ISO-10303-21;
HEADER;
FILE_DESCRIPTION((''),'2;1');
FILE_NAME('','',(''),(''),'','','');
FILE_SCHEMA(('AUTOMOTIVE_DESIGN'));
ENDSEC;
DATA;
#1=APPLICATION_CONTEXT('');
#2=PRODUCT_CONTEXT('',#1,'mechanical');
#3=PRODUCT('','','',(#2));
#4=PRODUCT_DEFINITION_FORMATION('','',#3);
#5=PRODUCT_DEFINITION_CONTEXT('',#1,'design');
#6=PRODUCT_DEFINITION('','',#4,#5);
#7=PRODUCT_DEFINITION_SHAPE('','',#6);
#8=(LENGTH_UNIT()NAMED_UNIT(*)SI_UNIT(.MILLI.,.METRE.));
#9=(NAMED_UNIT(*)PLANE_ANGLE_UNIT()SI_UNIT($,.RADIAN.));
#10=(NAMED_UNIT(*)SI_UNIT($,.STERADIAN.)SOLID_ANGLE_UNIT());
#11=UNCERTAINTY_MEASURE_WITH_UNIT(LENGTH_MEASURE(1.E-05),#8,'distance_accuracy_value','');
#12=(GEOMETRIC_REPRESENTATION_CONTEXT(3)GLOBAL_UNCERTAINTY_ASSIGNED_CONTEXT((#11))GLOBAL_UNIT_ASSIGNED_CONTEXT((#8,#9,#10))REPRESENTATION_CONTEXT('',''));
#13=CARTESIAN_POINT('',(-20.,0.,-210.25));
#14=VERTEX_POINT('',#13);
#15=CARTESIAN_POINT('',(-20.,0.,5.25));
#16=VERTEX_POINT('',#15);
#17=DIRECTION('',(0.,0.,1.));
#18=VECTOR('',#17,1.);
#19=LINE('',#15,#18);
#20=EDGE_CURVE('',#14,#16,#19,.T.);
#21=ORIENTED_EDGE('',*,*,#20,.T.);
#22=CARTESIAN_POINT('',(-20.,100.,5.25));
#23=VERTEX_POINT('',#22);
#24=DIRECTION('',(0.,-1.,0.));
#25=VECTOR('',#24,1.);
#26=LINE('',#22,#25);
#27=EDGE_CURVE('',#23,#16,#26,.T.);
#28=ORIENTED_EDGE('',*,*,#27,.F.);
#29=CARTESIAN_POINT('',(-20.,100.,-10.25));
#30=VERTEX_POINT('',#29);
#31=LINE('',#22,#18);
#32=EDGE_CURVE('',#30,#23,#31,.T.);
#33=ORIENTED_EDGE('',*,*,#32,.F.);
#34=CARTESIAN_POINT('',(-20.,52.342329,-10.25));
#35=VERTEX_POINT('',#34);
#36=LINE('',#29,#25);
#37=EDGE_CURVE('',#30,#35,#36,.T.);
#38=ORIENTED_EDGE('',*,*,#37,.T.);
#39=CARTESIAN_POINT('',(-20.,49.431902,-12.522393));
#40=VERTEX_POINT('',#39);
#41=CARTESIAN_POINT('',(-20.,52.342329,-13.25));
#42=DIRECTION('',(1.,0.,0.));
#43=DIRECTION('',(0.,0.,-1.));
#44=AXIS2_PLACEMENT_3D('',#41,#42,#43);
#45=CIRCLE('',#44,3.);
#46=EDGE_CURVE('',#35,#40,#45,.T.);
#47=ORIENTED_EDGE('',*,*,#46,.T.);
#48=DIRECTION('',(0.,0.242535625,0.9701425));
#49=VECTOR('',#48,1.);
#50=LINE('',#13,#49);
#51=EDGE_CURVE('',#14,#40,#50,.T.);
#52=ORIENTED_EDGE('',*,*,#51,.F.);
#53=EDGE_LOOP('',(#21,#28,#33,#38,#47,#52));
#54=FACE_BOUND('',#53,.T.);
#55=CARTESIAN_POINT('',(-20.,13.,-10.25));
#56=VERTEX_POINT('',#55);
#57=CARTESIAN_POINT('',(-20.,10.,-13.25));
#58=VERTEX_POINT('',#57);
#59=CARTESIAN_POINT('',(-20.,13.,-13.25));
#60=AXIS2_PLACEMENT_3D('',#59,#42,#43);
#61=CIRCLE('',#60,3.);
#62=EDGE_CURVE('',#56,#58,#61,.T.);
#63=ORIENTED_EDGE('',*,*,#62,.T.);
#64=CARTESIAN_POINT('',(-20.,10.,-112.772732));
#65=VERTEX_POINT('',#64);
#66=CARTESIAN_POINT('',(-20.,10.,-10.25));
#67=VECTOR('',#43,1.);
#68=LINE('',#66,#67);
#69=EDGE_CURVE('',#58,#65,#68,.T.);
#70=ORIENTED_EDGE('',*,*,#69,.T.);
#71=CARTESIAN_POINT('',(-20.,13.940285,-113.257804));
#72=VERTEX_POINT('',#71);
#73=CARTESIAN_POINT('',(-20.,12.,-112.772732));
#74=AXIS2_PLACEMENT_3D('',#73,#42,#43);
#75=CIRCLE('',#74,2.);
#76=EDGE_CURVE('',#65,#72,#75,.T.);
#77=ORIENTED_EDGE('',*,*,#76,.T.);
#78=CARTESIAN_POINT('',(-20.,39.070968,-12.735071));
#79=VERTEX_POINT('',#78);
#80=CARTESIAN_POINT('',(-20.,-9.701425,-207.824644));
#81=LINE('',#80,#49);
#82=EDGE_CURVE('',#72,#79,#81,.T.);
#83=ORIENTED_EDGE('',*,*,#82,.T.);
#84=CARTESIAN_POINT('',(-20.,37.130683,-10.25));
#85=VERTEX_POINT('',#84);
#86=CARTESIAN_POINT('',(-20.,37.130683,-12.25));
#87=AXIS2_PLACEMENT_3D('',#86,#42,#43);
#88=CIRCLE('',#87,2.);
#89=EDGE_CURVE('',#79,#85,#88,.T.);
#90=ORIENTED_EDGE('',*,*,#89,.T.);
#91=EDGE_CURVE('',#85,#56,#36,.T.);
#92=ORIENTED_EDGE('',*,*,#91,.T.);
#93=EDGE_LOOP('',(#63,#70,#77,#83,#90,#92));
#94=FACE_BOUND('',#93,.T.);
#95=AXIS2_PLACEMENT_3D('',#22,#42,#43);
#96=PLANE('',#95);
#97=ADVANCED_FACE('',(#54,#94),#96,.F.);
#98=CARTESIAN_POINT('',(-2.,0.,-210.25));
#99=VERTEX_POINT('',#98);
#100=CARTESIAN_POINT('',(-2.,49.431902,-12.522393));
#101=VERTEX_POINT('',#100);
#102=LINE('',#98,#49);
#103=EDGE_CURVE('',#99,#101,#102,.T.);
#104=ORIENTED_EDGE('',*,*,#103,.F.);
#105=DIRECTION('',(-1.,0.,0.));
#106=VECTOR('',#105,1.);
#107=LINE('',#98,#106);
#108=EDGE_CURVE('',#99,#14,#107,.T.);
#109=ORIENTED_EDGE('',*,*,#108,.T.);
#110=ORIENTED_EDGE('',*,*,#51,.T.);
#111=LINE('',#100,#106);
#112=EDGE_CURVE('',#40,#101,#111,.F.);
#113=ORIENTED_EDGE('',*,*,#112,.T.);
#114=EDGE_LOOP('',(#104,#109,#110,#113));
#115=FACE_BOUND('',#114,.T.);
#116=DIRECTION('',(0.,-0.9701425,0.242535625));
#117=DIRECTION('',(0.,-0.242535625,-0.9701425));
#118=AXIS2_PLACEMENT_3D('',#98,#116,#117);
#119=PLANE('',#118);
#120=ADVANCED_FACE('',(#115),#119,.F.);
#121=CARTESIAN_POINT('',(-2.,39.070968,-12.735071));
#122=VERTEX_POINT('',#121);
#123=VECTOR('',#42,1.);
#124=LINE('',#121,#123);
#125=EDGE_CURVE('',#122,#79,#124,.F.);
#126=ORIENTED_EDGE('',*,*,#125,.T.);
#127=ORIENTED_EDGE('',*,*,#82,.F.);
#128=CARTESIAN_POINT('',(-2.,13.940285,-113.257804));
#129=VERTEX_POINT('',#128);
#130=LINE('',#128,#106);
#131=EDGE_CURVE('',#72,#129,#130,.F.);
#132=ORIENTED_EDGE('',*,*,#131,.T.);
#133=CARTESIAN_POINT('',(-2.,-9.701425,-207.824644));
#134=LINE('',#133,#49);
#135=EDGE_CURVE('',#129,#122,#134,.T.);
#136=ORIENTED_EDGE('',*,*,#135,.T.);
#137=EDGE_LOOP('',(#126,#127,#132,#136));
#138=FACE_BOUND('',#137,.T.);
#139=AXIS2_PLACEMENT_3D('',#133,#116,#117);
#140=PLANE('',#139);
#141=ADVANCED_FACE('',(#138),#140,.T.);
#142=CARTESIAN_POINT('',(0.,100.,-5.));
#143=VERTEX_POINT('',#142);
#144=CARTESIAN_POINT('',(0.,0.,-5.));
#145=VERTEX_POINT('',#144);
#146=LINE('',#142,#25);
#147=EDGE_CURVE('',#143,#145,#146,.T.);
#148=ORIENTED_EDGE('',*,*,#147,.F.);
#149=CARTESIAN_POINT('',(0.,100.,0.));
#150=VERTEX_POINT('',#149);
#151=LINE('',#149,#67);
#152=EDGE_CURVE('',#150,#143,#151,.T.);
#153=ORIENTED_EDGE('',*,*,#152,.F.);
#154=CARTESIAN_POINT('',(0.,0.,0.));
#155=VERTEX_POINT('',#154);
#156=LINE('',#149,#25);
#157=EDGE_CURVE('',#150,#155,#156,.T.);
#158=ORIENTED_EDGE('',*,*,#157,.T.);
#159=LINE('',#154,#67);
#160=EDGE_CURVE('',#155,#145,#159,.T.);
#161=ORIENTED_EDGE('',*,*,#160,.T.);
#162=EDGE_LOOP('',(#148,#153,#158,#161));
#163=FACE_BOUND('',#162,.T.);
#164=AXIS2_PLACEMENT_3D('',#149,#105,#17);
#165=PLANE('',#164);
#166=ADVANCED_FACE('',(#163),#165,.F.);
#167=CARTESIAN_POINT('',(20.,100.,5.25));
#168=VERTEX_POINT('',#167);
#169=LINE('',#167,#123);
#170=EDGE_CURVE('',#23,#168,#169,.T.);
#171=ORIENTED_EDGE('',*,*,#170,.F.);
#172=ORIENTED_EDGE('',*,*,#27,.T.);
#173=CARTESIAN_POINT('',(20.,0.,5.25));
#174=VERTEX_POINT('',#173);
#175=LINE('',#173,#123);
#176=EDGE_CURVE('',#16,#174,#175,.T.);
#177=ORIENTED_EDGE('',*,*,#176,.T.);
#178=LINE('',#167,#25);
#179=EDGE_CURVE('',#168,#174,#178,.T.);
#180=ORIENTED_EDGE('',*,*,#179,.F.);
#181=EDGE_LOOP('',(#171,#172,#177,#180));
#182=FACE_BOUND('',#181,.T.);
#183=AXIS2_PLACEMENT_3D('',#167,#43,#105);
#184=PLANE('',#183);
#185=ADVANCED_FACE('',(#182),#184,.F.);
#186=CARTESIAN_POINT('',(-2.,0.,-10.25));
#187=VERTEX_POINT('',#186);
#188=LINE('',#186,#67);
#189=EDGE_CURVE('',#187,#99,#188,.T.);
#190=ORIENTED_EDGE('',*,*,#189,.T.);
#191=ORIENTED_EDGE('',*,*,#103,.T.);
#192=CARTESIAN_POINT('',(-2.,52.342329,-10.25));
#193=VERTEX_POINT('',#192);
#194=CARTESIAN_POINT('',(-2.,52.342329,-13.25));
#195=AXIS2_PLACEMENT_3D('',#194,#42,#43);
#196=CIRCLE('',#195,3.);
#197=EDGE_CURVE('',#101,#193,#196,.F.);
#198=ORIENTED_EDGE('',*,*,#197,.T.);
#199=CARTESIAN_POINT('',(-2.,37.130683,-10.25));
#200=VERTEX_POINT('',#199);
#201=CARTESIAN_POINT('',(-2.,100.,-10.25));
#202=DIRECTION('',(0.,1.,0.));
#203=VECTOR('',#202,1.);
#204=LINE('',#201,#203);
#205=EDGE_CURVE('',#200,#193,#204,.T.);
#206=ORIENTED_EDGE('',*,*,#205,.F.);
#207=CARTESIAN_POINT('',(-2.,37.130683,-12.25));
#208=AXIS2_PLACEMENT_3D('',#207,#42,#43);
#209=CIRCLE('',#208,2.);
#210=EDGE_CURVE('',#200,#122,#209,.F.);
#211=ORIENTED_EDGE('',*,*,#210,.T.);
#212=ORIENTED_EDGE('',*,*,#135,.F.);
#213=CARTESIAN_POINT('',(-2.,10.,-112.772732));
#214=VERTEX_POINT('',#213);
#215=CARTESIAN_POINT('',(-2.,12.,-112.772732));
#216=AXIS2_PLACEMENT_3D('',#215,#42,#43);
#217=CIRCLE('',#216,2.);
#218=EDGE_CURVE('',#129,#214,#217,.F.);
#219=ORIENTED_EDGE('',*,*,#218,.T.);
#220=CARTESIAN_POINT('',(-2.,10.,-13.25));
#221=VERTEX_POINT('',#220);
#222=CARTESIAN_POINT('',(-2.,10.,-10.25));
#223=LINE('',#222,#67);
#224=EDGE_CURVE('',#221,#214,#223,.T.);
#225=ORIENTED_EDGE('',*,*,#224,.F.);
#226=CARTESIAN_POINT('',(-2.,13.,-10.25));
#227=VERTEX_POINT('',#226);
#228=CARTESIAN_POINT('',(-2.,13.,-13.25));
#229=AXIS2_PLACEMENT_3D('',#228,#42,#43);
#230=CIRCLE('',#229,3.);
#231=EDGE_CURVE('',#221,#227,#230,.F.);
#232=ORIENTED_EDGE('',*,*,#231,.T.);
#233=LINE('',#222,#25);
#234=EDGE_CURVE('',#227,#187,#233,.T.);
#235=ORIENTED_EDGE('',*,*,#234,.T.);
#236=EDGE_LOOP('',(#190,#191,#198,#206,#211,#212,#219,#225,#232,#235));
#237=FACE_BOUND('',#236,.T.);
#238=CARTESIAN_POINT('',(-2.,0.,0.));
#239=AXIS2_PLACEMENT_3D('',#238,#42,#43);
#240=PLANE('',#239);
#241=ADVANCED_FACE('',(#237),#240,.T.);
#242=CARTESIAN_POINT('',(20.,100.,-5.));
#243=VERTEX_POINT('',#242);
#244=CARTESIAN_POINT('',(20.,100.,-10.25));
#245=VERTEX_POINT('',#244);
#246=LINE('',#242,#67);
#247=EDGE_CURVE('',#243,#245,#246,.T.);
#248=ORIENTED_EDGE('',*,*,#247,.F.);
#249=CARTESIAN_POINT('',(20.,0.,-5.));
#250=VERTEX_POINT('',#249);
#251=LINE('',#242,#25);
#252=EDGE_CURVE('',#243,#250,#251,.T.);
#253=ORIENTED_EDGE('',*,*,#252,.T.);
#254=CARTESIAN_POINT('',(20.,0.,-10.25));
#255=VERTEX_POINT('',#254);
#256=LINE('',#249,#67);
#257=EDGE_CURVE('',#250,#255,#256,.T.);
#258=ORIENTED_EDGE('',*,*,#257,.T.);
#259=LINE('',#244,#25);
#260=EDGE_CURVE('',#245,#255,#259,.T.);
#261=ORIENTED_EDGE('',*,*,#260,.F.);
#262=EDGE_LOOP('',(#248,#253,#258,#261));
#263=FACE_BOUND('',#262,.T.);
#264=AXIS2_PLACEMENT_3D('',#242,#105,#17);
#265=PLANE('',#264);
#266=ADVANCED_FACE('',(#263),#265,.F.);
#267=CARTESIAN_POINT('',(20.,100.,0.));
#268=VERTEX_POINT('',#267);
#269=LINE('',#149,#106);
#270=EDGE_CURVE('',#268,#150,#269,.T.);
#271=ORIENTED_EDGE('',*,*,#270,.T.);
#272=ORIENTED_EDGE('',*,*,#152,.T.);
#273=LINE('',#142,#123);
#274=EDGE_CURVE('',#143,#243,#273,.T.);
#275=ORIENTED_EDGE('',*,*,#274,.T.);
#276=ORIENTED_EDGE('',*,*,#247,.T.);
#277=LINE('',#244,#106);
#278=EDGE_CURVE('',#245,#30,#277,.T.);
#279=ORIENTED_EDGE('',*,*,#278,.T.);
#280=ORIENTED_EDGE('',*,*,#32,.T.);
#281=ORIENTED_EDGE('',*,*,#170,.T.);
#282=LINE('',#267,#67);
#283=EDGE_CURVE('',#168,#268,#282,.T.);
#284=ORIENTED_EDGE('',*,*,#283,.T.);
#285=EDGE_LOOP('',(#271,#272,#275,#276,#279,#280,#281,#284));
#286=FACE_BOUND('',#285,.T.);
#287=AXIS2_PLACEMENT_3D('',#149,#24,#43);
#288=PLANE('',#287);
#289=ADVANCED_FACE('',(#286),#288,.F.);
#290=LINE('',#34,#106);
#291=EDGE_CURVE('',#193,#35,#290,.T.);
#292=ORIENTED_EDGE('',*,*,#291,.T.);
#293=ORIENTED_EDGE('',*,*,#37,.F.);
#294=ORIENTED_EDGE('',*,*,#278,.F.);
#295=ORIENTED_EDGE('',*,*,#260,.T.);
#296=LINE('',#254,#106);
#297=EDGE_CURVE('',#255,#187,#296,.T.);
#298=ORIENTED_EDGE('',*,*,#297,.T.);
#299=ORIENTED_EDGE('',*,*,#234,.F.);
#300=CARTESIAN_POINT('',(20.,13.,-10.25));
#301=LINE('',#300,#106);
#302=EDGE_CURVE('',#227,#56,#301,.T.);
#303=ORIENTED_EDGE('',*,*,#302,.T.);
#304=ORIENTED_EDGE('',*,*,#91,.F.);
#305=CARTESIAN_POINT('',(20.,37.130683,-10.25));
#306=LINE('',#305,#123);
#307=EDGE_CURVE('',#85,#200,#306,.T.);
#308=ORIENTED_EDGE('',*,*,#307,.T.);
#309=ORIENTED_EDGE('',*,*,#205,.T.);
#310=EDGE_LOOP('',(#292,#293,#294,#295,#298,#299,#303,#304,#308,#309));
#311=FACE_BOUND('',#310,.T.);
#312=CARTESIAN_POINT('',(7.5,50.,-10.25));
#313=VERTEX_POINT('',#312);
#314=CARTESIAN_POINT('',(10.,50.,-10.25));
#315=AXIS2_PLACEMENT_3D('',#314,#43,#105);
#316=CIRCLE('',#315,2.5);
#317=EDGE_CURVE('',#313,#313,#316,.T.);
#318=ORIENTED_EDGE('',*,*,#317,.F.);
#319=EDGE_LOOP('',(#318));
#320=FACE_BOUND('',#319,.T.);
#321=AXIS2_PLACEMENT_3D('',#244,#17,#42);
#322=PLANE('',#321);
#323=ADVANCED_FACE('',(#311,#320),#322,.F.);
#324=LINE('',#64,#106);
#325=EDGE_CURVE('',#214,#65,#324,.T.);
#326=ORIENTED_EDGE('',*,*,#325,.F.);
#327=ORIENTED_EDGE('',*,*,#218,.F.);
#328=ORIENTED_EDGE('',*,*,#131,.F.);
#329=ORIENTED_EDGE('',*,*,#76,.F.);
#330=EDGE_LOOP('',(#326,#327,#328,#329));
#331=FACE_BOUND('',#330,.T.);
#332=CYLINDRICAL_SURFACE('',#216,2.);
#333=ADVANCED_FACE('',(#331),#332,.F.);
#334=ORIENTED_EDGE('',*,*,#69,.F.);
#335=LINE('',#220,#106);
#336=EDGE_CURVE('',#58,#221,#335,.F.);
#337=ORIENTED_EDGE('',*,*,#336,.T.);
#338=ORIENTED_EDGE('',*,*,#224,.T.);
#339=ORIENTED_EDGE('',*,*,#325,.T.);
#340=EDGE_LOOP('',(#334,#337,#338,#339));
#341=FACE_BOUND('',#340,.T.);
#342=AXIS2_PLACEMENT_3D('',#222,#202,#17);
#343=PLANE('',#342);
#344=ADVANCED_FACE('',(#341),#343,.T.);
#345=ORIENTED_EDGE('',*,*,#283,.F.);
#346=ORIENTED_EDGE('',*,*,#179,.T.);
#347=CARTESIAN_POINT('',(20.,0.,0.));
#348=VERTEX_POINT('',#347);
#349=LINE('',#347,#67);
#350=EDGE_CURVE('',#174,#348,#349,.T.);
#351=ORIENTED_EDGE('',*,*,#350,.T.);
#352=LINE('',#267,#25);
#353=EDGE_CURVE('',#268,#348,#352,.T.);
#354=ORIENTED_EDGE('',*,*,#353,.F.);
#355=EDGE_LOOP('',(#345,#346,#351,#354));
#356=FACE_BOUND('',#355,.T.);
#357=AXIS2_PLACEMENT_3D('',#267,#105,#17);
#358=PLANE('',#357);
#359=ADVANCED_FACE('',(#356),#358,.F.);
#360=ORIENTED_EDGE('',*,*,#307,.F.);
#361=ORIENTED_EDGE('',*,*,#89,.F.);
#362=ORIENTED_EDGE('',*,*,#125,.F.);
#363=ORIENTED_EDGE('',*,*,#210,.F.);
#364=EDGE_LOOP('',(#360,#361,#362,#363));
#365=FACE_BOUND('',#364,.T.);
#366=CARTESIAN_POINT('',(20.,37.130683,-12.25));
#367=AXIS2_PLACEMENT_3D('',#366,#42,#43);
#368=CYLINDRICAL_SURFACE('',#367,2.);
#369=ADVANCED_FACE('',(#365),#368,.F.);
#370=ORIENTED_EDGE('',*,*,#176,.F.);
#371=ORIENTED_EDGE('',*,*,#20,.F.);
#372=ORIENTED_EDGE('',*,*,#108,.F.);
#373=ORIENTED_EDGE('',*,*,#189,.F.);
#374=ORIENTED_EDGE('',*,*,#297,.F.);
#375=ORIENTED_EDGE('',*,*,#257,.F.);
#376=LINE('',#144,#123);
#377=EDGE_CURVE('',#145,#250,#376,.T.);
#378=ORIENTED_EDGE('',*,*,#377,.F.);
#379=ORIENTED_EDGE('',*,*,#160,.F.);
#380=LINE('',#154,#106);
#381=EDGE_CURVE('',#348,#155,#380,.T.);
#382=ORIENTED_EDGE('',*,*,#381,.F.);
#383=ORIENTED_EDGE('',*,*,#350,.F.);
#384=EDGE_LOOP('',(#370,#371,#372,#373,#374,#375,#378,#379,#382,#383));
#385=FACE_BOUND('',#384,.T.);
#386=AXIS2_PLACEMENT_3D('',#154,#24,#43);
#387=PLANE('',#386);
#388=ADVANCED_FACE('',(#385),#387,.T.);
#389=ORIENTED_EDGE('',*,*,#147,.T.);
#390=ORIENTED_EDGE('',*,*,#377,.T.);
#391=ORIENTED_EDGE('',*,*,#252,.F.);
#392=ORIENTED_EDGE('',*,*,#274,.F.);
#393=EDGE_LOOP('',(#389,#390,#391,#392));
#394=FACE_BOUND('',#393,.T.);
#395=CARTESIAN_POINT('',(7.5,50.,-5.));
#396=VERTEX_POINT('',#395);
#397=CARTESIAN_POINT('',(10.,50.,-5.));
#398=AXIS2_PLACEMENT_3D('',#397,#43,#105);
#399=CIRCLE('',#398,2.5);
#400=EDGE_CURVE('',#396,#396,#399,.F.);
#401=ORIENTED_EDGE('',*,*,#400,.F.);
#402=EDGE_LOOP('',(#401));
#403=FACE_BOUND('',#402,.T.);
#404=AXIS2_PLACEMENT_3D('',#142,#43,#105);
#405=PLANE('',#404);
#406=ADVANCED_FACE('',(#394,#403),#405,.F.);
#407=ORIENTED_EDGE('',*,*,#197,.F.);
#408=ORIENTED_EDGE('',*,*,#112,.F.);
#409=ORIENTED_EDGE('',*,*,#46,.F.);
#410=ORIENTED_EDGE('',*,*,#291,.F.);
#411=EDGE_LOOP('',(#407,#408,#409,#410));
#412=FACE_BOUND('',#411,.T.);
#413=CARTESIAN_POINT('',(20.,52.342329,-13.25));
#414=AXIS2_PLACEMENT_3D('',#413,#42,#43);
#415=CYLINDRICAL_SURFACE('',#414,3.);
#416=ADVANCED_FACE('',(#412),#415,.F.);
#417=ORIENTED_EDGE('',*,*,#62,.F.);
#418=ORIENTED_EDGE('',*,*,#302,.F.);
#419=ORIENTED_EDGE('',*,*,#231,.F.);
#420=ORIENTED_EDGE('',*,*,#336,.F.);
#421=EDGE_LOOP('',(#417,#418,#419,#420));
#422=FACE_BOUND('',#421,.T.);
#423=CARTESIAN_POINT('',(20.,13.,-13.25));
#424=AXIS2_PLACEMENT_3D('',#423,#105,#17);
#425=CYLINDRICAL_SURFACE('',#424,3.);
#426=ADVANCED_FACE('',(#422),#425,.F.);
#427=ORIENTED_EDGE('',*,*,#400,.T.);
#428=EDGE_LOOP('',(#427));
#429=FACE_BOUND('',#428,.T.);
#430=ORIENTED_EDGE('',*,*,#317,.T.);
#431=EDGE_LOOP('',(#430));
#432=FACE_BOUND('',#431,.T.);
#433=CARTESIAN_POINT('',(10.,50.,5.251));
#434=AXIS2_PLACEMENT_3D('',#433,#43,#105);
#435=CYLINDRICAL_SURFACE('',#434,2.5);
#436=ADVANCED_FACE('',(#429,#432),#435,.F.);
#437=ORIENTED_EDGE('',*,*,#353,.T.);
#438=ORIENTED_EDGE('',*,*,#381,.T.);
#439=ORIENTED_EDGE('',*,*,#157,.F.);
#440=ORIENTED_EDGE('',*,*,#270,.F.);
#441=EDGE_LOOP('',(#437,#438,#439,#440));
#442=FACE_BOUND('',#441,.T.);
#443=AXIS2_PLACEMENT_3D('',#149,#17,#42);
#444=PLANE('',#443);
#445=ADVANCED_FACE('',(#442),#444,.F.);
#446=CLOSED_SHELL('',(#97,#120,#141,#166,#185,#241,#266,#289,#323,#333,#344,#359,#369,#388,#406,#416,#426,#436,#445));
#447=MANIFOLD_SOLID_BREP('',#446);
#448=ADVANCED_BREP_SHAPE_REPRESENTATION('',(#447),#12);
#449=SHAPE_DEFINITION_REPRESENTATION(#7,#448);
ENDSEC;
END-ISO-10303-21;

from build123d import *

# Parameters (mm, degrees)
BOSS_EXTRUDE1_DEPTH = 100
EXTRUDE_THIN1_DEPTH = 18
FILLET1_R           = 3
FILLET2_R           = 3
FILLET3_R           = 2
FILLET4_R           = 2
CUT_EXTRUDE1_REACH  = 17.5
SKETCH3_R           = 2.5


with BuildPart() as part:
    # Sketch1 → Boss-Extrude1 (new body)
    with BuildSketch(Plane(origin=(0, 0, 0), x_dir=(1, 0, 0), z_dir=(0, 1, 0))):
        Polygon((0, 0), (20, 0), (20, -5.25), (-20, -5.25), (-20, 10.25), (20, 10.25), (20, 5), (0, 5), align=None)
    extrude(amount=BOSS_EXTRUDE1_DEPTH)

    # Sketch2 → Extrude-Thin1 (add)
    with BuildSketch(Plane.ZY.offset(20)):
        Polygon((-10.25, 0), (-210.25, 0), (-10.25, 50), (-7.82464375, 40.298574999), (-129.018943744, 10), (-10.25, 10), align=None)
    extrude(amount=-EXTRUDE_THIN1_DEPTH)

    # Fillet1
    fillet1_edges = [part.edges().sort_by_distance(p)[0] for p in [
        (-11, 50, -10.25),
    ]]
    fillet(fillet1_edges, radius=FILLET1_R)

    # Fillet2
    fillet2_edges = [part.edges().sort_by_distance(p)[0] for p in [
        (-11, 10, -10.25),
    ]]
    fillet(fillet2_edges, radius=FILLET2_R)

    # Fillet3
    fillet3_edges = [part.edges().sort_by_distance(p)[0] for p in [
        (-11, 39.692235936, -10.25),
    ]]
    fillet(fillet3_edges, radius=FILLET3_R)

    # Fillet4
    fillet4_edges = [part.edges().sort_by_distance(p)[0] for p in [
        (-11, 10, -129.018943744),
    ]]
    fillet(fillet4_edges, radius=FILLET4_R)

    # Sketch3 → Cut-Extrude1 (cut, up to next)
    with BuildSketch(Plane(origin=(0, 0, -10.25), x_dir=(-1, 0, 0), z_dir=(0, 0, -1)), mode=Mode.PRIVATE) as cut_extrude1_sk1:
        with Locations((-10, 50)):
            Circle(SKETCH3_R)
    cut_extrude1_tool1 = extrude(cut_extrude1_sk1.sketch, amount=-CUT_EXTRUDE1_REACH, mode=Mode.PRIVATE) & part.part
    add(cut_extrude1_tool1.solids().sort_by_distance((10, 50, -10.25))[0], mode=Mode.SUBTRACT)


solid = part.part
